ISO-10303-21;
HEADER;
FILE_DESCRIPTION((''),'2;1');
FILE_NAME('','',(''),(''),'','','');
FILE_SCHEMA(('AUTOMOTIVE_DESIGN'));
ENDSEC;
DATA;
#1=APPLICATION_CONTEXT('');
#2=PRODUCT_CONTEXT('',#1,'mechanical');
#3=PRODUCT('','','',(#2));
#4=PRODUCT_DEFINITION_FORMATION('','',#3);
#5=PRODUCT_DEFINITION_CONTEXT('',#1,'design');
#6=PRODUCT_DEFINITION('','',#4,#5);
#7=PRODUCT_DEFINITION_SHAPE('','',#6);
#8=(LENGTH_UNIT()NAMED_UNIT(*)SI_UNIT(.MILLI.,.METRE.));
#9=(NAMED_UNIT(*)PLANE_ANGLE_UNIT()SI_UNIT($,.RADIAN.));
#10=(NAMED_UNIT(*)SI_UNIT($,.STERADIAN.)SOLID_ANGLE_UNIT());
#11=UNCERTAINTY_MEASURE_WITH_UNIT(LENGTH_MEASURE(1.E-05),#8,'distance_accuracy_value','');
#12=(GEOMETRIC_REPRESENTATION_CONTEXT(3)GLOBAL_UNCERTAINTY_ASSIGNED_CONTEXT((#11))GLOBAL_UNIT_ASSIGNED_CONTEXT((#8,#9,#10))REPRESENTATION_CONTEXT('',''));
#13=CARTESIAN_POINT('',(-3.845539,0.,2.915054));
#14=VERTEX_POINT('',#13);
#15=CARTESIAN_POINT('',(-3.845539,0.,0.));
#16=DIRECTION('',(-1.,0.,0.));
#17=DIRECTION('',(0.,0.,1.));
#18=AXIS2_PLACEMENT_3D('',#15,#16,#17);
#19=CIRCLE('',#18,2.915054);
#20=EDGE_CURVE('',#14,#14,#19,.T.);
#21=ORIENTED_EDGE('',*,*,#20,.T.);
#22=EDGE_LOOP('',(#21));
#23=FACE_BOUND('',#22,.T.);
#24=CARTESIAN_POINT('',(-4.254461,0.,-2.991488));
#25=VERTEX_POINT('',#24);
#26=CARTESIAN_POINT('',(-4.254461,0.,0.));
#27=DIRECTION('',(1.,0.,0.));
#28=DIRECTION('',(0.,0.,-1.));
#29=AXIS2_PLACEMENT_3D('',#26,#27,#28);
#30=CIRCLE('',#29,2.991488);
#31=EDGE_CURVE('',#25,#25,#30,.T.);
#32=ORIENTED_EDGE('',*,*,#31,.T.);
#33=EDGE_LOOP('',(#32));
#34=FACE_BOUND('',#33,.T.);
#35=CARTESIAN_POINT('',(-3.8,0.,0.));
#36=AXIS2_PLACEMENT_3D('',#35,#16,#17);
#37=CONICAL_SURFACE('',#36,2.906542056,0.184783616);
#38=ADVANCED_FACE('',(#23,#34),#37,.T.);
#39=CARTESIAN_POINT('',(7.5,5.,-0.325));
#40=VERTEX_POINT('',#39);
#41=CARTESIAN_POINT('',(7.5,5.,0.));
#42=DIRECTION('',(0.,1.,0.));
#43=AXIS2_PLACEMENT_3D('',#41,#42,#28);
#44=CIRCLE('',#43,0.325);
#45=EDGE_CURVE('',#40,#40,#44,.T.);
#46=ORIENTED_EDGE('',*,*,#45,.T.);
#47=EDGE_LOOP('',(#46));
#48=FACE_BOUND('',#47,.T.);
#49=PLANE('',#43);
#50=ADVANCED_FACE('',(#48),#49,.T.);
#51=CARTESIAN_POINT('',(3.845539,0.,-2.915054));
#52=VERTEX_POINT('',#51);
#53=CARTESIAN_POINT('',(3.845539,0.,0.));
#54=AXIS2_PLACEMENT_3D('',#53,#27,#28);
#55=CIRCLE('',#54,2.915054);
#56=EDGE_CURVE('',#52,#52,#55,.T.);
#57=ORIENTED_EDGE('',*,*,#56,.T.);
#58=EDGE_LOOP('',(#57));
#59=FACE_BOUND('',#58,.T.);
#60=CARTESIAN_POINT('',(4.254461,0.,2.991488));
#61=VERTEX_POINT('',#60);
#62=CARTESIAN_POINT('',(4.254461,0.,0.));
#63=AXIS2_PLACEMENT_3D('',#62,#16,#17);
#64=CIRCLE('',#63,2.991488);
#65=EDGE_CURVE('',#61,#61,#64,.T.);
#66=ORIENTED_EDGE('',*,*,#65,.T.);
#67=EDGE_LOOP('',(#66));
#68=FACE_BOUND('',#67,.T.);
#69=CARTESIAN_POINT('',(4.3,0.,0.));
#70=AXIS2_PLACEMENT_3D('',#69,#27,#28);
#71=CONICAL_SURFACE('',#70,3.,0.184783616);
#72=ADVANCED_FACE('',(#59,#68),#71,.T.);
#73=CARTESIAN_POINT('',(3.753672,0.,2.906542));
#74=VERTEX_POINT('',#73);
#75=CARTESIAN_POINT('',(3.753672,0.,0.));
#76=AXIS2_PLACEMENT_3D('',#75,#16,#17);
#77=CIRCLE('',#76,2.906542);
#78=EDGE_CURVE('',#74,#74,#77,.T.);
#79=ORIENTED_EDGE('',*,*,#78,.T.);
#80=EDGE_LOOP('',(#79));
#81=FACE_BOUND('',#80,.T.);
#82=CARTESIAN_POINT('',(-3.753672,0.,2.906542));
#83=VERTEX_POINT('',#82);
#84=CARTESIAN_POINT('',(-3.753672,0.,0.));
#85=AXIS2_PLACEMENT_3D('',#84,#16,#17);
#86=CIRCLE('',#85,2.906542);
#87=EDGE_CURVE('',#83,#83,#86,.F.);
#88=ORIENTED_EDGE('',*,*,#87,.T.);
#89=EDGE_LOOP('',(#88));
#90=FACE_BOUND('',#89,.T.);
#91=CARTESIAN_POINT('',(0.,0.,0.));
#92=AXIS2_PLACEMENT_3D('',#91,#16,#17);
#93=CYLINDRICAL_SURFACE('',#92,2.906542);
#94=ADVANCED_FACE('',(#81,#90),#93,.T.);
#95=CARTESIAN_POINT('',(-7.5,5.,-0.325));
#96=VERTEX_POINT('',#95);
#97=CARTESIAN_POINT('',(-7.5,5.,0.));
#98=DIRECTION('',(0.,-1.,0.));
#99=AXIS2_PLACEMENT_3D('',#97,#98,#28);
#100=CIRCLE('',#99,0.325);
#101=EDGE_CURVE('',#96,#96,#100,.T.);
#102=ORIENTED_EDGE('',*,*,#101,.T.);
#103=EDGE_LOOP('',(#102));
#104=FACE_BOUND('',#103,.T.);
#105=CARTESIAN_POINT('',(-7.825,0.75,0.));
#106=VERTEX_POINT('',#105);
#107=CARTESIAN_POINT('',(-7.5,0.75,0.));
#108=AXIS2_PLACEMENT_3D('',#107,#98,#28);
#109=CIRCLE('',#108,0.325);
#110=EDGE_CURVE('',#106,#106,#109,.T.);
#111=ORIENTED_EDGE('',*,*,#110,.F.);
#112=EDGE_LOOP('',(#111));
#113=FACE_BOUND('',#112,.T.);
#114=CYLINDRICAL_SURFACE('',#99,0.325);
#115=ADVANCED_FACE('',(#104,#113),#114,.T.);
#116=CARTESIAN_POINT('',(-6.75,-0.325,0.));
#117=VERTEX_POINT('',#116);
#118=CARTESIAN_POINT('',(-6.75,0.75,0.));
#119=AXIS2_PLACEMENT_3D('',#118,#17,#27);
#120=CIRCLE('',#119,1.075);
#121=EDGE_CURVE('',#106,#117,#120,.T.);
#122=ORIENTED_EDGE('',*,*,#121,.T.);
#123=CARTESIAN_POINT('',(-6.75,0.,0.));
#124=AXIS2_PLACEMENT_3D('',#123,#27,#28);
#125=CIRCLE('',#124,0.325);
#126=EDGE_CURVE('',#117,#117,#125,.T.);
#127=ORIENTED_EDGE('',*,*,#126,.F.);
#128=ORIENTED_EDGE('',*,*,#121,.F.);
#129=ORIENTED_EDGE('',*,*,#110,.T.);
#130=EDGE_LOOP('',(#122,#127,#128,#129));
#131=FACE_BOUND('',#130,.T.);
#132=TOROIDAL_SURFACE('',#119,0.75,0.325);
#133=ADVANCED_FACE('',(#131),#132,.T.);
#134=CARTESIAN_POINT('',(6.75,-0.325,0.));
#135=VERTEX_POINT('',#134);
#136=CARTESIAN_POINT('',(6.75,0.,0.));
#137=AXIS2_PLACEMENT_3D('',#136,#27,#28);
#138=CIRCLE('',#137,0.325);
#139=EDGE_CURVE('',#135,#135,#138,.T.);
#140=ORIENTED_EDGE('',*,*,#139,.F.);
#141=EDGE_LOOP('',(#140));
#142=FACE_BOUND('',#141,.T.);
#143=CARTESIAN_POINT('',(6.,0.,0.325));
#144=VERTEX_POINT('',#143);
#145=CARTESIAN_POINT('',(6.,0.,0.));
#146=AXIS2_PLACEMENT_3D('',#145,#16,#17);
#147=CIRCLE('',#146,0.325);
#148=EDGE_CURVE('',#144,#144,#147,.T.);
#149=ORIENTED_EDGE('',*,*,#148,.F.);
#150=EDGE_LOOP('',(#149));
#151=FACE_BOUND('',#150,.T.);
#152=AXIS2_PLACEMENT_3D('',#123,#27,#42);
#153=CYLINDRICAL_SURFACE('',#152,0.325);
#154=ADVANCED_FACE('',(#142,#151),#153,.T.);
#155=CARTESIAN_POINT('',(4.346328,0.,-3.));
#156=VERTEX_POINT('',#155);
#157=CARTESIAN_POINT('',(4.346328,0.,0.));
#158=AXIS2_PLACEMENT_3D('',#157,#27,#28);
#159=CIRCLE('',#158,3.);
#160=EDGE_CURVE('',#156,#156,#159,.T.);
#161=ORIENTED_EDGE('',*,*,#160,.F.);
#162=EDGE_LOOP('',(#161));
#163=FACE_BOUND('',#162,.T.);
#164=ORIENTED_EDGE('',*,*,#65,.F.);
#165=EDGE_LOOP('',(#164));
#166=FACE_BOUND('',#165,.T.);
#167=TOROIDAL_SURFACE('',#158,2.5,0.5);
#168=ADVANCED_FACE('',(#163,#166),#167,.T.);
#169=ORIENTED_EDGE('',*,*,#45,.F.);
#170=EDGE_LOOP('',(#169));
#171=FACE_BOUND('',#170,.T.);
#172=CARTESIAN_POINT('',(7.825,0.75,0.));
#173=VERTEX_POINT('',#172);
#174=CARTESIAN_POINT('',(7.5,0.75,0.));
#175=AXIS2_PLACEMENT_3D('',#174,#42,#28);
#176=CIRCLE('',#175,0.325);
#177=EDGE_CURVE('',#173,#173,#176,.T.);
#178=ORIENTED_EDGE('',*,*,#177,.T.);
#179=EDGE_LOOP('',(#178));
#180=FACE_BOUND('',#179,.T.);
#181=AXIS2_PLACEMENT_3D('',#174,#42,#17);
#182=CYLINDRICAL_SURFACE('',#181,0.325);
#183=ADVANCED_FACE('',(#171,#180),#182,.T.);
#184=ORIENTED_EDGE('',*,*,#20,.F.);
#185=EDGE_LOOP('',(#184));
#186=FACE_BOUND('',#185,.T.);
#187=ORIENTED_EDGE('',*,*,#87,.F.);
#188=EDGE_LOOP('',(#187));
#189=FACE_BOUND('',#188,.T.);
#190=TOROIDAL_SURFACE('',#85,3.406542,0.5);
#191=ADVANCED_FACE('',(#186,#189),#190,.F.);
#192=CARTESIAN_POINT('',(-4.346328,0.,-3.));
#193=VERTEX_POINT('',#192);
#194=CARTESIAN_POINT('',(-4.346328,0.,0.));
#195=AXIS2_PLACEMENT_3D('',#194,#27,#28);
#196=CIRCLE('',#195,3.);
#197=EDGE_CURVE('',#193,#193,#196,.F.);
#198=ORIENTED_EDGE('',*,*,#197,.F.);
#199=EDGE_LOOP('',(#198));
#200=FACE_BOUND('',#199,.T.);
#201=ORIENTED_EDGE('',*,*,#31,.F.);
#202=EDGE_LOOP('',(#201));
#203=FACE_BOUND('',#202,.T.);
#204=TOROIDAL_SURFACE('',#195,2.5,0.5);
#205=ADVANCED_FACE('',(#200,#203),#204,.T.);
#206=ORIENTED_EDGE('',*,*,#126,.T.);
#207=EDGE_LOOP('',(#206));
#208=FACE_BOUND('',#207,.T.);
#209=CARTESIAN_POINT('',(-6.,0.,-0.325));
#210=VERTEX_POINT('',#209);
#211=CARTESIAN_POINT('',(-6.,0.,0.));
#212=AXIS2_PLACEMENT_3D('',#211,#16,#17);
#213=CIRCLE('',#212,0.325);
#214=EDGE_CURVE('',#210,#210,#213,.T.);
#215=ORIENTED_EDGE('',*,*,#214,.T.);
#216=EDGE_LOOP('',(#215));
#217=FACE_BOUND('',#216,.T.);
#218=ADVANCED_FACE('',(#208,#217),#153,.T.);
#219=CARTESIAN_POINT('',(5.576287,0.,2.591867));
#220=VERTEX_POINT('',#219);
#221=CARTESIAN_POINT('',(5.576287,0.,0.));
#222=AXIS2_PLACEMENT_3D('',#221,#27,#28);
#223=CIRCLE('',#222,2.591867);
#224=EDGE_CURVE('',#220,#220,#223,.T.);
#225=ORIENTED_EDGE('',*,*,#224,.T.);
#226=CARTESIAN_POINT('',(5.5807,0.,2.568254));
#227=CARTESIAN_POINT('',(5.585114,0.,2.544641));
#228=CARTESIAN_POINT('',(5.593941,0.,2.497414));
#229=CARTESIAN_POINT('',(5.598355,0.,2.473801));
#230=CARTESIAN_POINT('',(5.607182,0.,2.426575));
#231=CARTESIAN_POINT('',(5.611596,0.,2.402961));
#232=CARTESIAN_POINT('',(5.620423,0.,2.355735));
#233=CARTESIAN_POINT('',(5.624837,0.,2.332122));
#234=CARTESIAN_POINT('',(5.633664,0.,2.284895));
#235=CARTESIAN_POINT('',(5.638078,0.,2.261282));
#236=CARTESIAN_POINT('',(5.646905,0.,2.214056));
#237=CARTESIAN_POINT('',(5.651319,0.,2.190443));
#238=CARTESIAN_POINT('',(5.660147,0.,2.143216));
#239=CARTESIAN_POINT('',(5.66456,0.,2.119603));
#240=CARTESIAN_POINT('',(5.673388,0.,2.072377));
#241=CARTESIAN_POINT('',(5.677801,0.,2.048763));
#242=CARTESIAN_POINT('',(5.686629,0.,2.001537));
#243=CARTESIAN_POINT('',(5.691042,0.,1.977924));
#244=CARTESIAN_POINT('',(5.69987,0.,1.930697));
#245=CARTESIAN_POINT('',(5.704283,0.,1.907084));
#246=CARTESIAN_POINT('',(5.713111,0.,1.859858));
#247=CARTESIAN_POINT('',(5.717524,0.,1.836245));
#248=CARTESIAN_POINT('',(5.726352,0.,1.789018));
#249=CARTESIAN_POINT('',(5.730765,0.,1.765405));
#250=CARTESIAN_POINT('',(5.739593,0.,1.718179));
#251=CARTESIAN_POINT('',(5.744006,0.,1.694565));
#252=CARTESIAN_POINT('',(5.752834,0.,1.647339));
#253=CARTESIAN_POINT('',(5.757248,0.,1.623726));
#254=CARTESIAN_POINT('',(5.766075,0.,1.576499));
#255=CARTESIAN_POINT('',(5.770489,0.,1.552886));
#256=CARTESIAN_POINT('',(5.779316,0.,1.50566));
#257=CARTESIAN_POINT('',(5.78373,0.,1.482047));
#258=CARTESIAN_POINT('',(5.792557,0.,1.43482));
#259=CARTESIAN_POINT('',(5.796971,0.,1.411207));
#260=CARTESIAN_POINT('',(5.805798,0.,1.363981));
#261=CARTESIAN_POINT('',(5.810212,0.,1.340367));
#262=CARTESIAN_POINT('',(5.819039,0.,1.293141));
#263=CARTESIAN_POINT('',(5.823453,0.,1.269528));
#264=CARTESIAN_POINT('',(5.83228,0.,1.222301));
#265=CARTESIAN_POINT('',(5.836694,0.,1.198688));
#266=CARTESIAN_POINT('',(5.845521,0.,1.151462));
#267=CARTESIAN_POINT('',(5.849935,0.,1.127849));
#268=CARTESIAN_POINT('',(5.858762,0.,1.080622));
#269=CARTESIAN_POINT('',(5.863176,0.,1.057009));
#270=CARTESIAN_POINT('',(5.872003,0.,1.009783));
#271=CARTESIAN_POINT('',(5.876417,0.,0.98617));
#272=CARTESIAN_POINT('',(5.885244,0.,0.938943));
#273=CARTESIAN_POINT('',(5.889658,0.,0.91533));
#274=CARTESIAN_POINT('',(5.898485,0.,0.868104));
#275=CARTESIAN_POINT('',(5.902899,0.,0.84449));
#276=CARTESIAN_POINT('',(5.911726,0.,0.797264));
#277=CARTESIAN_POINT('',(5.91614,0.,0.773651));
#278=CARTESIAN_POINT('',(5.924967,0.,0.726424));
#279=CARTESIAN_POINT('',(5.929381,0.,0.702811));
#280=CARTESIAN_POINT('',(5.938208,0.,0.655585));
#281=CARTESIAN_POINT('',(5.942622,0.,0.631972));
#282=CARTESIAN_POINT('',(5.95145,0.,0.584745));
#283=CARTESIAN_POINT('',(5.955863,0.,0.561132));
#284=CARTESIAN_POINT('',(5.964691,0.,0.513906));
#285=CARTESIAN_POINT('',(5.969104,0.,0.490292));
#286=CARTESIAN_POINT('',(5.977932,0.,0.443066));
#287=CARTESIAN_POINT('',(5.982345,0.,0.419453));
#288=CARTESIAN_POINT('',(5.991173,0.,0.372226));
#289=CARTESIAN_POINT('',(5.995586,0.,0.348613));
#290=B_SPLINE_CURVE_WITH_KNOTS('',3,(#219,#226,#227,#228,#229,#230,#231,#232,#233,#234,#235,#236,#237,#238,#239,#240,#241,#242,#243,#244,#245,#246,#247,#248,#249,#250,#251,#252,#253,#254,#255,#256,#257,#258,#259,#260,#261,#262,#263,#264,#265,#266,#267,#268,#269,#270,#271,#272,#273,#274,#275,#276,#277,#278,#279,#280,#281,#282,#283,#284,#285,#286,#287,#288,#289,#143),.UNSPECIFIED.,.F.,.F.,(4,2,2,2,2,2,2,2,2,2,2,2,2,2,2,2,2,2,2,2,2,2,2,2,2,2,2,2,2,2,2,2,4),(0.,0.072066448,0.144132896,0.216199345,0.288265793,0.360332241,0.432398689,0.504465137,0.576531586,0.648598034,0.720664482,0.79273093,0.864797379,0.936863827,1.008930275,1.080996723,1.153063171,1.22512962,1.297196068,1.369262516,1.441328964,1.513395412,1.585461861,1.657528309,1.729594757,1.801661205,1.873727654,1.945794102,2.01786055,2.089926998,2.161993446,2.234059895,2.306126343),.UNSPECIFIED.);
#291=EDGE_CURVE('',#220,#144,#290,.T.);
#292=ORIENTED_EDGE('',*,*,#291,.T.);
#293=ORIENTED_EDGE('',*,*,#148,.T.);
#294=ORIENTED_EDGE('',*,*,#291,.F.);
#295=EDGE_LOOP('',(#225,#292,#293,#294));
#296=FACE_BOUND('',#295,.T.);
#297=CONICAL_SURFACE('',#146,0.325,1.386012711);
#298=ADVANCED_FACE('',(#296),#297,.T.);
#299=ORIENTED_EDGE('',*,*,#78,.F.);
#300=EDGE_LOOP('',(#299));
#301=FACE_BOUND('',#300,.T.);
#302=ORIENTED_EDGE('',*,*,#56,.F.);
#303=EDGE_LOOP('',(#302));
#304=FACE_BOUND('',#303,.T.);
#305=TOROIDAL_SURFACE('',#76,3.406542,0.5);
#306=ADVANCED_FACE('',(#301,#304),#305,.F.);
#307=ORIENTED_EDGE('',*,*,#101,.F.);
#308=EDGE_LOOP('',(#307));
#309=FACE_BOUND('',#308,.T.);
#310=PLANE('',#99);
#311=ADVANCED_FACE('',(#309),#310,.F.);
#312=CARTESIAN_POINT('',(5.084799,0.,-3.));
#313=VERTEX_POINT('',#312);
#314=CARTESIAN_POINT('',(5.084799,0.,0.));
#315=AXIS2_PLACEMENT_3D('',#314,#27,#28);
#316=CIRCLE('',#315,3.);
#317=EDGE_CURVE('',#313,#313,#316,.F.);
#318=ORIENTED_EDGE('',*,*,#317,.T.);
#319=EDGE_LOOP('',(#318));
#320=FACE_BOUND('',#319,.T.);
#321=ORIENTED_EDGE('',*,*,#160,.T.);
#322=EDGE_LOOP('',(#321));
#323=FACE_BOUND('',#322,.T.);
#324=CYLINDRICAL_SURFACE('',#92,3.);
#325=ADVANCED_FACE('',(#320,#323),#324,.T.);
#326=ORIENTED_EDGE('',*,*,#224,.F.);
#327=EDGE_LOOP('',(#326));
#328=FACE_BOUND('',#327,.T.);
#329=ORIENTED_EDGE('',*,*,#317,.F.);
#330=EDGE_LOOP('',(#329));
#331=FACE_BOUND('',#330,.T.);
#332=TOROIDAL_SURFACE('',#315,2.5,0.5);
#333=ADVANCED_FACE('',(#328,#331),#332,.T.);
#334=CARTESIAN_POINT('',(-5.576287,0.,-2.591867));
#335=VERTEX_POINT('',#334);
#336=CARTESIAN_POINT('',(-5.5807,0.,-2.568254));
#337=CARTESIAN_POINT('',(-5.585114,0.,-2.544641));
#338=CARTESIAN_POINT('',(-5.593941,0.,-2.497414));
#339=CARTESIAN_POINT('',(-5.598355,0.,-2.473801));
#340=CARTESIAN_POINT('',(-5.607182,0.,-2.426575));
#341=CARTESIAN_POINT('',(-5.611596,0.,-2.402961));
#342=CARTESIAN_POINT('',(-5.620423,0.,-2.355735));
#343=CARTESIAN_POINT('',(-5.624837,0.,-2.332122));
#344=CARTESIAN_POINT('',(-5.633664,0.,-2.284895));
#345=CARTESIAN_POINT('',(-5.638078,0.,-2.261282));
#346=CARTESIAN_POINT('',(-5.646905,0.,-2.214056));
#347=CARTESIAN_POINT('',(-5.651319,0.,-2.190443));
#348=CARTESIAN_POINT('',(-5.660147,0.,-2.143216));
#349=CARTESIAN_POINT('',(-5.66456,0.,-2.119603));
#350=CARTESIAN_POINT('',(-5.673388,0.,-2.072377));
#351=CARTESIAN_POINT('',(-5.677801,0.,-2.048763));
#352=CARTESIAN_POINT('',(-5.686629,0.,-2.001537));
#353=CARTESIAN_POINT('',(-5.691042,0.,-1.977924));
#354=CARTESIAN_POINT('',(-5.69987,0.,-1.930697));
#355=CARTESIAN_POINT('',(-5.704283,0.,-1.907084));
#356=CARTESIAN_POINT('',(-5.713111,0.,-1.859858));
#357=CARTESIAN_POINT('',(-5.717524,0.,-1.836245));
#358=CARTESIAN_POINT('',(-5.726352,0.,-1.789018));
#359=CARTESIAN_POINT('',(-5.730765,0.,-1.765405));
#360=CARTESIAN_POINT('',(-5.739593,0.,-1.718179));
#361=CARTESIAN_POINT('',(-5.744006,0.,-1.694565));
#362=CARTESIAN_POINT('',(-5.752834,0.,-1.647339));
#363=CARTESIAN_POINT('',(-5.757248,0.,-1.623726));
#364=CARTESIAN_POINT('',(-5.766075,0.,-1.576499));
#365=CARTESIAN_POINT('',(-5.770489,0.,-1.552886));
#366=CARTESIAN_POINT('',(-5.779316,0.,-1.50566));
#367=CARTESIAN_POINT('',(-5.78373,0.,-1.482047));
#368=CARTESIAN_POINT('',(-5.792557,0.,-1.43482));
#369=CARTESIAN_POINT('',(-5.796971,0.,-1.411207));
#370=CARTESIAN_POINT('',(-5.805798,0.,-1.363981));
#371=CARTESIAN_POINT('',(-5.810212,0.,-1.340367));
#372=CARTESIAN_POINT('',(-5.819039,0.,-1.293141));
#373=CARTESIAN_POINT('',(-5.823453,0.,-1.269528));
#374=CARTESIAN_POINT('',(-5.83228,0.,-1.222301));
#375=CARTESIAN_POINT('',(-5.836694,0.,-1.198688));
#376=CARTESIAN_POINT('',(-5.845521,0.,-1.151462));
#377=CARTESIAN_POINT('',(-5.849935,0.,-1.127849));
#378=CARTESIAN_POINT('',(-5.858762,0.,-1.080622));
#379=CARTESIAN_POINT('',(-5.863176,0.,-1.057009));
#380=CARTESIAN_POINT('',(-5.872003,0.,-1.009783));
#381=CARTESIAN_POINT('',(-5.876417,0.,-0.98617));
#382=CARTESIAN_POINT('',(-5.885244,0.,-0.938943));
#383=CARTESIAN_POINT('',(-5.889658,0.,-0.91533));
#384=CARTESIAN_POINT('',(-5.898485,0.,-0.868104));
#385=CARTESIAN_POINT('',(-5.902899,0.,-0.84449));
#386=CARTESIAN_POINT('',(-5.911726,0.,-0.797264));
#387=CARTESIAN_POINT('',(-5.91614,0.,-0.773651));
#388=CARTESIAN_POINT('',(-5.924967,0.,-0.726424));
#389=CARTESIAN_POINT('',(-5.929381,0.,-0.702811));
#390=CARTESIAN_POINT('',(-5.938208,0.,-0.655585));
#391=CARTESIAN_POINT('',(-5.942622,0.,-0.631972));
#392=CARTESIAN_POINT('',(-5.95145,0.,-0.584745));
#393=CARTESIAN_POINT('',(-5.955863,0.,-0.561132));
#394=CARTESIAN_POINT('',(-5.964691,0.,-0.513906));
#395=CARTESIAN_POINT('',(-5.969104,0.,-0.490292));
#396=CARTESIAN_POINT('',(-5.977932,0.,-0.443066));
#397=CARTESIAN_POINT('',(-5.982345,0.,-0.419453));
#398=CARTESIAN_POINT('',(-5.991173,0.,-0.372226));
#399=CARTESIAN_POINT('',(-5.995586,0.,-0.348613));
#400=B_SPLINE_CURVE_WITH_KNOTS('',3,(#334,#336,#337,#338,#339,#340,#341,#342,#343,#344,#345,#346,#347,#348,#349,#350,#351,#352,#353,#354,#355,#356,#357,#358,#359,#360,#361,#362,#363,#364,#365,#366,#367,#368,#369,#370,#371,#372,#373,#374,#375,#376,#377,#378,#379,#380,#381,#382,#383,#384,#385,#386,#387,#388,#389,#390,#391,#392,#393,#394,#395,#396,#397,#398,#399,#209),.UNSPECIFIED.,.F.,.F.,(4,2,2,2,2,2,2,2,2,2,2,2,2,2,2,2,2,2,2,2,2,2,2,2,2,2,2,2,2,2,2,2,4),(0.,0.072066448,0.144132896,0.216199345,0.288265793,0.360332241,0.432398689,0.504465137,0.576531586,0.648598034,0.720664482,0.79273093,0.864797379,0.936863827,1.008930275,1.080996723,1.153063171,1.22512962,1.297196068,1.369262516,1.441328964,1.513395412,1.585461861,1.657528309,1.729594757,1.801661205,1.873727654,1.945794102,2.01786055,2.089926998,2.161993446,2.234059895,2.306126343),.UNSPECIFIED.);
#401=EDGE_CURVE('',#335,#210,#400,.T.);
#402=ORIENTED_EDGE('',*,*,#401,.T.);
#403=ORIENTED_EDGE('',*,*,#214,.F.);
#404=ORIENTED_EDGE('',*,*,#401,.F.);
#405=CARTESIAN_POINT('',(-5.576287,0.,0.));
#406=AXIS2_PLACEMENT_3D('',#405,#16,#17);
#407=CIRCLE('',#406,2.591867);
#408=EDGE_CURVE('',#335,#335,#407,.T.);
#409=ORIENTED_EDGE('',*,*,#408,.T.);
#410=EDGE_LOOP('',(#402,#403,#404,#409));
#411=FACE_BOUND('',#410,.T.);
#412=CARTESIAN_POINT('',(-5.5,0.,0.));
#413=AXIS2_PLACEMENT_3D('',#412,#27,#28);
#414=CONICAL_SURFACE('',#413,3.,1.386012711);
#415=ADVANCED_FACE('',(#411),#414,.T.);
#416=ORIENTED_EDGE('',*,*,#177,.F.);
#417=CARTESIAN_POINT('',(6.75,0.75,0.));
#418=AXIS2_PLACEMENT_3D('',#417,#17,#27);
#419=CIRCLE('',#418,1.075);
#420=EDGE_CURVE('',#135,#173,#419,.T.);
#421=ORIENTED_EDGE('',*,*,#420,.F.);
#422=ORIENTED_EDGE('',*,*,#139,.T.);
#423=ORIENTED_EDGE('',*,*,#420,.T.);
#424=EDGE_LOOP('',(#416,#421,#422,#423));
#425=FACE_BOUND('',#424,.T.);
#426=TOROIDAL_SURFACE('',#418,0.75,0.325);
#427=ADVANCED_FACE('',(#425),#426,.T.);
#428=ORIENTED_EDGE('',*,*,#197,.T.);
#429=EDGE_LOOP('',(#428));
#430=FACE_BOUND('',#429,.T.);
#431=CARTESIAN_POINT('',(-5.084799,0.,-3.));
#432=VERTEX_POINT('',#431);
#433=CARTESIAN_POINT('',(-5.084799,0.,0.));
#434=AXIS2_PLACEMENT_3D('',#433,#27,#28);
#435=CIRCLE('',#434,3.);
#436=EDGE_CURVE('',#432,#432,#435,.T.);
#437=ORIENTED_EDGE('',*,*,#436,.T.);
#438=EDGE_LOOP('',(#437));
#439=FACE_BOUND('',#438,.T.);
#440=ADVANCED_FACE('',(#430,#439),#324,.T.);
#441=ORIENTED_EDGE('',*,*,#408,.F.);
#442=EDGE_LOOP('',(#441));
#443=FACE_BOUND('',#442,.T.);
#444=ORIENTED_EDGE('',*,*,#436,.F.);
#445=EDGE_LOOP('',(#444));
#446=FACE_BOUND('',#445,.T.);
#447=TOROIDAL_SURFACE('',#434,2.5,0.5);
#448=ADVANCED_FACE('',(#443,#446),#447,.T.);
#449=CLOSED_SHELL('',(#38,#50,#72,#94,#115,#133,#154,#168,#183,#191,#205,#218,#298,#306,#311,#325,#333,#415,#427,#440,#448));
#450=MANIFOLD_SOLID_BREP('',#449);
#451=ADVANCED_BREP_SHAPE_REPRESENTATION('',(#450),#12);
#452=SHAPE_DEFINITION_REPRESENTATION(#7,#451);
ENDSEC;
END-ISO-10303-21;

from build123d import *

# Parameters (mm, degrees)
FILLET1_R = 0.5
SKETCH4_R = 0.325


with BuildPart() as part:
    # Sketch1 → Revolve1 (revolve)
    with BuildSketch(Plane.XY, mode=Mode.PRIVATE) as revolve1_sk:
        Polygon((0, 0), (6, 0), (6, 0.325), (5.5, 3), (4.3, 3), (3.8, 2.906542056), (-3.8, 2.906542056), (-4.3, 3), (-5.5, 3), (-6, 0.325), (-6, 0), align=None)
    revolve(revolve1_sk.sketch.rotate(Axis((0, 0, 0), (1, 0, 0)), 90), axis=Axis((0, 0, 0), (1, 0, 0)))

    # Fillet1
    fillet1_edges = [part.edges().sort_by_distance(p)[0] for p in [
        (4.3, 0, -3),
        (5.5, 0, -3),
        (-5.5, 0, -3),
        (-4.3, 0, -3),
        (-3.8, 0, -2.906542056),
        (3.8, 0, -2.906542056),
    ]]
    fillet(fillet1_edges, radius=FILLET1_R)

    # Sweep1: sweep along a path in Sketch6
    with BuildLine(Plane.XY) as sweep1_path:
        Line((7.5, 5), (7.5, 0.75))
        ThreePointArc((7.5, 0.75), (7.280330086, 0.219669914), (6.75, 0))
        Line((6.75, 0), (6, 0))
        Line((6, 0), (-6.75, 0))
        ThreePointArc((-6.75, 0), (-7.280330086, 0.219669914), (-7.5, 0.75))
        Line((-7.5, 0.75), (-7.5, 5))
    # Sketch4 → Sweep1 (sweep)
    with BuildSketch(Plane(origin=(6, 0, 0), x_dir=(0, 0, -1), z_dir=(1, 0, 0))):
        Circle(SKETCH4_R)
    sweep(path=sweep1_path.line)


solid = part.part
